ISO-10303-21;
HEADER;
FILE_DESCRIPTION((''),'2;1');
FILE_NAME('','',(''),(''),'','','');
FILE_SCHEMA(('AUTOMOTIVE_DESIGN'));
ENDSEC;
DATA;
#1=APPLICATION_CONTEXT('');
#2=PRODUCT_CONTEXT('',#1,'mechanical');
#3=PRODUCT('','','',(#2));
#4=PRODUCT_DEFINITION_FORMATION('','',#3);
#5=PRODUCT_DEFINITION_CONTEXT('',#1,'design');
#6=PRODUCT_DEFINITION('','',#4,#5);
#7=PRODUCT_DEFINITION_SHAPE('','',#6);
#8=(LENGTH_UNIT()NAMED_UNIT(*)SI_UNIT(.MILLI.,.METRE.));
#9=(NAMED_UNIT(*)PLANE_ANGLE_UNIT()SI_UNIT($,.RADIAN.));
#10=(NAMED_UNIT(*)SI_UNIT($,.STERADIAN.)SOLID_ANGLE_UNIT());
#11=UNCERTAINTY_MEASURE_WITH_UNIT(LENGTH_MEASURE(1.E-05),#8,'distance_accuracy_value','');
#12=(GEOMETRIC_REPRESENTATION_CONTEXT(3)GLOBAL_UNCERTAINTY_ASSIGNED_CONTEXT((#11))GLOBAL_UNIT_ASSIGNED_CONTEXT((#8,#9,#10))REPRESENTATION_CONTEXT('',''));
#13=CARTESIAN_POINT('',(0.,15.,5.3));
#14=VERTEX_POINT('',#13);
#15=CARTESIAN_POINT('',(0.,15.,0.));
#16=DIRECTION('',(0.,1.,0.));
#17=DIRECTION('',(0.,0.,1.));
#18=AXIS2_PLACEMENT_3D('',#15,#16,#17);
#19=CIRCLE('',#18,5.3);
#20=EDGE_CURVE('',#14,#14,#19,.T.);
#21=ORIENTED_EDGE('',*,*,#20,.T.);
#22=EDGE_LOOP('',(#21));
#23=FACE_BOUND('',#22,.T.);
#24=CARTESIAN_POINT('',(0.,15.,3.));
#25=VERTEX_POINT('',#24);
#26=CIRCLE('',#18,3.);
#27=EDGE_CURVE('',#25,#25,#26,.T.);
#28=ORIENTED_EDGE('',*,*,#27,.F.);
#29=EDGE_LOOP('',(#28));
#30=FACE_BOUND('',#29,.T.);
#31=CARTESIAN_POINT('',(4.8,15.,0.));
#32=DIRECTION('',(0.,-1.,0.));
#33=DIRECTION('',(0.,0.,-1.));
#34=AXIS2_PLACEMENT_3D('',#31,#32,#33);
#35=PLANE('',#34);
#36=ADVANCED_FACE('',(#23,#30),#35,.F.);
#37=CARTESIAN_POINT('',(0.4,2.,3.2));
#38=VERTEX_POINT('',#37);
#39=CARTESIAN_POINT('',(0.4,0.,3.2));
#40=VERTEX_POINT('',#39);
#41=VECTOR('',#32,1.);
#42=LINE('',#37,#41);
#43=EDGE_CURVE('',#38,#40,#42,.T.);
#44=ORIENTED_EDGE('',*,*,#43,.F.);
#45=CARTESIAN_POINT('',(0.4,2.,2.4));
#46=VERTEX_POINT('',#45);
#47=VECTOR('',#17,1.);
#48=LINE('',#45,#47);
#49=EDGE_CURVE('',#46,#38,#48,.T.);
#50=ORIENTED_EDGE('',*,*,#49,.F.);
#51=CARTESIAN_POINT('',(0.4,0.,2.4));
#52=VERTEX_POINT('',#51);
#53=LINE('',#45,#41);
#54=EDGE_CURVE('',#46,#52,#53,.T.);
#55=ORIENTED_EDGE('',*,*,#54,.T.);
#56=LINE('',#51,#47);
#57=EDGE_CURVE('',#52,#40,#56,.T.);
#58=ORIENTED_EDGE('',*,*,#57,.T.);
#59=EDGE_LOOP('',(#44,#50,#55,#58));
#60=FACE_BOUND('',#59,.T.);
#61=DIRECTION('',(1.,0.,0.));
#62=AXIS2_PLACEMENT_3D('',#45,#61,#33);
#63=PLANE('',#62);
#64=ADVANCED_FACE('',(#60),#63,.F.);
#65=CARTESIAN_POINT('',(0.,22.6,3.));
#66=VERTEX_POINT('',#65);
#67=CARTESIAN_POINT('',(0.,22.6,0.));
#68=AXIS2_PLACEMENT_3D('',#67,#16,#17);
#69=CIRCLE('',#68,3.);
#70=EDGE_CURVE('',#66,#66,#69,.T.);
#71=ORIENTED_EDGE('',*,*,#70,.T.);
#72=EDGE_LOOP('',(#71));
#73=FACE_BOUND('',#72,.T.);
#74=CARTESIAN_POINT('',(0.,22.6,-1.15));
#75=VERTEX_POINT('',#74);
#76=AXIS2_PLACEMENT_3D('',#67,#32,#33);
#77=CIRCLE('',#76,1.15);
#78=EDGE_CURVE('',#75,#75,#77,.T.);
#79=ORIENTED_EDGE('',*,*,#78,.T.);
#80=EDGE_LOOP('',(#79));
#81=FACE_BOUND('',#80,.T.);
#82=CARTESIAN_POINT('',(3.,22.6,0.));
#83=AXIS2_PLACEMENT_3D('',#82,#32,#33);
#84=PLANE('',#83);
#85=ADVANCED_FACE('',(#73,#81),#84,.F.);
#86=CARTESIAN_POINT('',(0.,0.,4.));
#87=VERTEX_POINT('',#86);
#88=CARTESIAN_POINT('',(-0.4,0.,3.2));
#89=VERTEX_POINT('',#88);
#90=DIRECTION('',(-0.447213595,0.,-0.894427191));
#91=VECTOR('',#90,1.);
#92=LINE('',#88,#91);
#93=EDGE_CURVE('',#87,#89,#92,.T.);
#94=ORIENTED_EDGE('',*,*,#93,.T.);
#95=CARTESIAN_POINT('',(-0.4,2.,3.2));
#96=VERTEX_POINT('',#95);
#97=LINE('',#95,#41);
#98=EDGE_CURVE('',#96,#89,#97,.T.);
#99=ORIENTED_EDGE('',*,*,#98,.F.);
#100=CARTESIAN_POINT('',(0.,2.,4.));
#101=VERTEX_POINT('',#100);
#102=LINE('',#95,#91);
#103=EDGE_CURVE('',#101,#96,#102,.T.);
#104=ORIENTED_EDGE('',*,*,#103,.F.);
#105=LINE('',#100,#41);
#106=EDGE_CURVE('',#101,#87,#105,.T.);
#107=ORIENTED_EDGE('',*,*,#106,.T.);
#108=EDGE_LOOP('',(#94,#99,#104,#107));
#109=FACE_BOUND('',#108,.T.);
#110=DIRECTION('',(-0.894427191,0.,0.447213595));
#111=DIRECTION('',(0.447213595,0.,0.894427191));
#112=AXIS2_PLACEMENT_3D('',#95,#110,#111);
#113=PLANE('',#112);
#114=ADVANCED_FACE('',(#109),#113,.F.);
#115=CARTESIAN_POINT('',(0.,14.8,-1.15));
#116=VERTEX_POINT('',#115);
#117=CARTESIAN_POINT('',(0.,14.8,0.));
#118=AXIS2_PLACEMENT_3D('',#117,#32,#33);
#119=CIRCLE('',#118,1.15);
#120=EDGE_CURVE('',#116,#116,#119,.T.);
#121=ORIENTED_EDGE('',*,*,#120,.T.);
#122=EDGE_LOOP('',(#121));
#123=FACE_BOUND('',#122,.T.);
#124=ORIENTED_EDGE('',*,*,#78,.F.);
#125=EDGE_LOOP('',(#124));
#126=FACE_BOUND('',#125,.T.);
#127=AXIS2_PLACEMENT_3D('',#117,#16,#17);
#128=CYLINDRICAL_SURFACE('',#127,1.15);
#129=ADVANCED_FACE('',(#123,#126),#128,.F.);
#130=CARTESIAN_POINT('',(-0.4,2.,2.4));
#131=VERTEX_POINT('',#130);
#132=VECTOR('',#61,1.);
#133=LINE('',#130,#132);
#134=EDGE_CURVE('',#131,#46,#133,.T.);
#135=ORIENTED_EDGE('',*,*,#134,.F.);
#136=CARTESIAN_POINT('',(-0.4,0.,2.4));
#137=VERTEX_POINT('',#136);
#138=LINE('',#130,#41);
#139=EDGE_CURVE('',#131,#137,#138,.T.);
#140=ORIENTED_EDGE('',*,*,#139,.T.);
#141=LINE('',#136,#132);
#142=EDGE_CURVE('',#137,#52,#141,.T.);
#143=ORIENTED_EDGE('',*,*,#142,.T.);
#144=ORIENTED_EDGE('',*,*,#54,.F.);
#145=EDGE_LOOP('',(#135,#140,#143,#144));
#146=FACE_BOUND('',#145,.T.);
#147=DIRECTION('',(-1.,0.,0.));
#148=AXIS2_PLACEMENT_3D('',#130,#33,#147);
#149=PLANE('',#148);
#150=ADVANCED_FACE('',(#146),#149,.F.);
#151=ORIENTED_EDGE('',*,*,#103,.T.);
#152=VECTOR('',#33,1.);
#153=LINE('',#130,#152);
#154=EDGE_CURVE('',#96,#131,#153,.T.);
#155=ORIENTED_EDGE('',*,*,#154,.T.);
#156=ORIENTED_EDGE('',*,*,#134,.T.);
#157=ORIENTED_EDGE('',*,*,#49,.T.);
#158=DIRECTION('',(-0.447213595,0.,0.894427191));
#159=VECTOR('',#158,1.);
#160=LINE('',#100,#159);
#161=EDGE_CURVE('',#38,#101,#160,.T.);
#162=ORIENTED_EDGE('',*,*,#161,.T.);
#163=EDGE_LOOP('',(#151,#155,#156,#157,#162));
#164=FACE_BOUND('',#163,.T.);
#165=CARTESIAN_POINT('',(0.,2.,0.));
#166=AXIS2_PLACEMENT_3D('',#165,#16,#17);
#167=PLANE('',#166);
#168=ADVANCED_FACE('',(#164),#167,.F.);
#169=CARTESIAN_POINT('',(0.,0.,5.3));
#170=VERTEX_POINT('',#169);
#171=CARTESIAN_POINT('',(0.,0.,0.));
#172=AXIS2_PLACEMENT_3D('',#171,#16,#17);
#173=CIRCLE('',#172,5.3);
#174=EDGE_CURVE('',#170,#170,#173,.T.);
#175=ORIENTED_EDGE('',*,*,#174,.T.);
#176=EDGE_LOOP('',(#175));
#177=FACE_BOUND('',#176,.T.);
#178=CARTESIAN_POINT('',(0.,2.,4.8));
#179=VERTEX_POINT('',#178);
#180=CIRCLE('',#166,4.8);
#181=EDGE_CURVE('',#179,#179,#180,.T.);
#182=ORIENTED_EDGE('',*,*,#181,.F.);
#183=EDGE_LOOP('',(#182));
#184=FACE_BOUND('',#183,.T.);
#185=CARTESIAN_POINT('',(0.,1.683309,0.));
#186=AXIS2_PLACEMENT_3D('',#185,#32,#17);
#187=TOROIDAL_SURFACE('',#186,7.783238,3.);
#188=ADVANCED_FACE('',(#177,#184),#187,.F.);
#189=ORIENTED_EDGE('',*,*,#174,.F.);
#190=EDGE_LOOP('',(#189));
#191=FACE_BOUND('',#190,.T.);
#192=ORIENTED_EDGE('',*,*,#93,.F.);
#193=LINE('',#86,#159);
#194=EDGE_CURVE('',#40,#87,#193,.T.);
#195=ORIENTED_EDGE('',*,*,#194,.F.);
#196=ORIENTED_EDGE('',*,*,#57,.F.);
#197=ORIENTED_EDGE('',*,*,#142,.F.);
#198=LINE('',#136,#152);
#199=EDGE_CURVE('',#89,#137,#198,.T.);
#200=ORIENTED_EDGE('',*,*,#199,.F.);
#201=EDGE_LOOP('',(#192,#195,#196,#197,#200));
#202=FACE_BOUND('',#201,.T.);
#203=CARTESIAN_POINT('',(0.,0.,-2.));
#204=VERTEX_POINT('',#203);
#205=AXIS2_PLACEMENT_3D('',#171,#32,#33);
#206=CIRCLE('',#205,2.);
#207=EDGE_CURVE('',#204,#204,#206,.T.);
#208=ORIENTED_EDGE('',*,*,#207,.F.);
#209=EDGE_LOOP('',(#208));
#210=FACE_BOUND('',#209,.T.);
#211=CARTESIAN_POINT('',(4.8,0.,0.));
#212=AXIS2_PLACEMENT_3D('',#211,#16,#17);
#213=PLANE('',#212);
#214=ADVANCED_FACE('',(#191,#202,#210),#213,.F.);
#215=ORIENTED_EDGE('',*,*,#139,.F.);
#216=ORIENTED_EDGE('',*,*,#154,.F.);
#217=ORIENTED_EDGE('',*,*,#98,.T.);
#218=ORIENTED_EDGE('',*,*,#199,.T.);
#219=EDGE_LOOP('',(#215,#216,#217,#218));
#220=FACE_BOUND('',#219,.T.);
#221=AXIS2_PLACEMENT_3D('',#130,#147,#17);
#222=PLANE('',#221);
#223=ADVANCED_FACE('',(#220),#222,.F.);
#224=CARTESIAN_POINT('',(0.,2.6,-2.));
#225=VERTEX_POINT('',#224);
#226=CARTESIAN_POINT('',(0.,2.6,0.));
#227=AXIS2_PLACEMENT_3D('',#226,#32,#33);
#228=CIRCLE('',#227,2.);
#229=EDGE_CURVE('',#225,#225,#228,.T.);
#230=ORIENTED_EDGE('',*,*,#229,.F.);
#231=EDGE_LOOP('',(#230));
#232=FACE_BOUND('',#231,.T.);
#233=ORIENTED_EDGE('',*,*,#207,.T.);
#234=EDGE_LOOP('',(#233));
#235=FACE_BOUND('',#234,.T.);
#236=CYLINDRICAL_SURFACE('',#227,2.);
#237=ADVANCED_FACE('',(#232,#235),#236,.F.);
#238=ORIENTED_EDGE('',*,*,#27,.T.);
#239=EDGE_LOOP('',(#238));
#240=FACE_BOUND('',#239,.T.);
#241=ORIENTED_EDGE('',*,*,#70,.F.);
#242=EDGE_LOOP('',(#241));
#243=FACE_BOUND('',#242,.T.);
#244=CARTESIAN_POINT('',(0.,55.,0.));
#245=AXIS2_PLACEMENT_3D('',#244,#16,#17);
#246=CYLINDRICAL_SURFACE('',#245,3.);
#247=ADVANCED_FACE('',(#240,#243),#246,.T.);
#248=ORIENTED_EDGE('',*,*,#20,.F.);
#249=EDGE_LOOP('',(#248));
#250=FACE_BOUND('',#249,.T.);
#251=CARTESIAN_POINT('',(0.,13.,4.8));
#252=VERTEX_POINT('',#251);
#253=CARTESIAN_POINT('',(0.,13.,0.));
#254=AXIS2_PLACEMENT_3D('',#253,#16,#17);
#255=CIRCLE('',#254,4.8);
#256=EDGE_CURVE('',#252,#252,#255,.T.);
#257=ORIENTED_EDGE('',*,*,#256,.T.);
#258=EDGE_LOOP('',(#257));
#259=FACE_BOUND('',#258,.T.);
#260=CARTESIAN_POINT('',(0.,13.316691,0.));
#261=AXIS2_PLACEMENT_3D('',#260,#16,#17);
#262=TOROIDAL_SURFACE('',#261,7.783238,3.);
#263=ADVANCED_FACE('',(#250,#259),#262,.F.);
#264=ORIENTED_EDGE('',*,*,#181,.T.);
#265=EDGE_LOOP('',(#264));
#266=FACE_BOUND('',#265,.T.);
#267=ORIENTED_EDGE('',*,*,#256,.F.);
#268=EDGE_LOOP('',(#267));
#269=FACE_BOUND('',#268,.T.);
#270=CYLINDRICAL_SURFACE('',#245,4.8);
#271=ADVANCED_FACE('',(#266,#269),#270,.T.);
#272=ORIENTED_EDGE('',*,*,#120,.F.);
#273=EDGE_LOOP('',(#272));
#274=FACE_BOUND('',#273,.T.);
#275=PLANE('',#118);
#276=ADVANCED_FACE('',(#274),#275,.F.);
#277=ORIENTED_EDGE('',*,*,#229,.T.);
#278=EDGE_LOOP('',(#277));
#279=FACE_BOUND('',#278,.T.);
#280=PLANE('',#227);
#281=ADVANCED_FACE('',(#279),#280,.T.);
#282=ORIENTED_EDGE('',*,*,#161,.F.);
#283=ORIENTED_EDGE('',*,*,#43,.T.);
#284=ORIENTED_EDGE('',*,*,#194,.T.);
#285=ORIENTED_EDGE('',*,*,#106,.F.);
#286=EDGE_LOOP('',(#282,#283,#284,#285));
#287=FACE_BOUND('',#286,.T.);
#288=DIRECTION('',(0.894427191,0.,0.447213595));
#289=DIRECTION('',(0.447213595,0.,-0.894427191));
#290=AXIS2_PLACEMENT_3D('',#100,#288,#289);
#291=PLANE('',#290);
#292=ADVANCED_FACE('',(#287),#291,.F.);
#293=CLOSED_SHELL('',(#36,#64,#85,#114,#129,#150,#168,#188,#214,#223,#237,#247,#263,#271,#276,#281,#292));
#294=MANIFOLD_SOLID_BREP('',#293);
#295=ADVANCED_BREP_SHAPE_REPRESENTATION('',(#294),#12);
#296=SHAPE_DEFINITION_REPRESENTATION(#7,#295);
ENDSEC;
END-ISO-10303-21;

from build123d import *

# Parameters (mm, degrees)
CROQUIS7_R              = 5.3
SALIENTE_EXTRUIR1_DEPTH = 2
CORTAR_EXTRUIR1_START   = 7.6
CROQUIS3_R              = 1.15
CORTAR_EXTRUIR1_DEPTH   = 7.8
CROQUIS4_R              = 2
CORTAR_EXTRUIR2_DEPTH   = 2.6
CORTAR_EXTRUIR4_DEPTH   = 2


with BuildPart() as part:
    # Croquis1 → Revolución2 (revolve)
    with BuildSketch(Plane.XY):
        Polygon((4.8, 15), (3, 15), (3, 22.6), (0, 22.6), (0, 0), (4.8, 0), align=None)
    revolve(axis=Axis((0, 55, 0), (0, -1, 0)))

    # Croquis7 → Saliente-Extruir1 (add)
    with BuildSketch(Plane(origin=(0, 15, 0), x_dir=(1, 0, 0), z_dir=(0, 1, 0))):
        Circle(CROQUIS7_R)
    saliente_extruir1 = extrude(amount=-SALIENTE_EXTRUIR1_DEPTH)

    # Croquis3 → Cortar-Extruir1 (cut)
    with BuildSketch(Plane(origin=(0, 15, 0), x_dir=(1, 0, 0), z_dir=(0, 1, 0)).offset(CORTAR_EXTRUIR1_START)):
        Circle(CROQUIS3_R)
    extrude(amount=-CORTAR_EXTRUIR1_DEPTH, mode=Mode.SUBTRACT)

    # Croquis8 → Cortar-Revolución2 (revolve, cut)
    with BuildSketch(Plane(origin=(0, 0, 0), x_dir=(0, 0, -1), z_dir=(1, 0, 0))):
        with BuildLine():
            Line((5.3, 15), (5.3, 13))
            Line((5.3, 13), (4.8, 13))
            ThreePointArc((4.8, 13), (4.872810183, 14.044297454), (5.3, 15))
        make_face()
    cortar_revoluci_n2 = revolve(axis=Axis((0, 55, 0), (0, -1, 0)), mode=Mode.SUBTRACT)

    # Simetría1: Saliente-Extruir1, Cortar-Revolución2 across plane
    add(saliente_extruir1.mirror(Plane(origin=(0, 7.5, 0), x_dir=(0, 0, 1), z_dir=(0, -1, 0))))
    add(cortar_revoluci_n2.mirror(Plane(origin=(0, 7.5, 0), x_dir=(0, 0, 1), z_dir=(0, -1, 0))), mode=Mode.SUBTRACT)

    # Croquis4 → Cortar-Extruir2 (cut)
    with BuildSketch(Plane.XZ):
        Circle(CROQUIS4_R)
    extrude(amount=-CORTAR_EXTRUIR2_DEPTH, mode=Mode.SUBTRACT)

    # Croquis9 → Cortar-Extruir4 (cut)
    with BuildSketch(Plane.XZ):
        Polygon((-0.4, 3.2), (0, 4), (0.4, 3.2), (0.4, 2.4), (-0.4, 2.4), align=None)
    extrude(amount=-CORTAR_EXTRUIR4_DEPTH, mode=Mode.SUBTRACT)


solid = part.part
